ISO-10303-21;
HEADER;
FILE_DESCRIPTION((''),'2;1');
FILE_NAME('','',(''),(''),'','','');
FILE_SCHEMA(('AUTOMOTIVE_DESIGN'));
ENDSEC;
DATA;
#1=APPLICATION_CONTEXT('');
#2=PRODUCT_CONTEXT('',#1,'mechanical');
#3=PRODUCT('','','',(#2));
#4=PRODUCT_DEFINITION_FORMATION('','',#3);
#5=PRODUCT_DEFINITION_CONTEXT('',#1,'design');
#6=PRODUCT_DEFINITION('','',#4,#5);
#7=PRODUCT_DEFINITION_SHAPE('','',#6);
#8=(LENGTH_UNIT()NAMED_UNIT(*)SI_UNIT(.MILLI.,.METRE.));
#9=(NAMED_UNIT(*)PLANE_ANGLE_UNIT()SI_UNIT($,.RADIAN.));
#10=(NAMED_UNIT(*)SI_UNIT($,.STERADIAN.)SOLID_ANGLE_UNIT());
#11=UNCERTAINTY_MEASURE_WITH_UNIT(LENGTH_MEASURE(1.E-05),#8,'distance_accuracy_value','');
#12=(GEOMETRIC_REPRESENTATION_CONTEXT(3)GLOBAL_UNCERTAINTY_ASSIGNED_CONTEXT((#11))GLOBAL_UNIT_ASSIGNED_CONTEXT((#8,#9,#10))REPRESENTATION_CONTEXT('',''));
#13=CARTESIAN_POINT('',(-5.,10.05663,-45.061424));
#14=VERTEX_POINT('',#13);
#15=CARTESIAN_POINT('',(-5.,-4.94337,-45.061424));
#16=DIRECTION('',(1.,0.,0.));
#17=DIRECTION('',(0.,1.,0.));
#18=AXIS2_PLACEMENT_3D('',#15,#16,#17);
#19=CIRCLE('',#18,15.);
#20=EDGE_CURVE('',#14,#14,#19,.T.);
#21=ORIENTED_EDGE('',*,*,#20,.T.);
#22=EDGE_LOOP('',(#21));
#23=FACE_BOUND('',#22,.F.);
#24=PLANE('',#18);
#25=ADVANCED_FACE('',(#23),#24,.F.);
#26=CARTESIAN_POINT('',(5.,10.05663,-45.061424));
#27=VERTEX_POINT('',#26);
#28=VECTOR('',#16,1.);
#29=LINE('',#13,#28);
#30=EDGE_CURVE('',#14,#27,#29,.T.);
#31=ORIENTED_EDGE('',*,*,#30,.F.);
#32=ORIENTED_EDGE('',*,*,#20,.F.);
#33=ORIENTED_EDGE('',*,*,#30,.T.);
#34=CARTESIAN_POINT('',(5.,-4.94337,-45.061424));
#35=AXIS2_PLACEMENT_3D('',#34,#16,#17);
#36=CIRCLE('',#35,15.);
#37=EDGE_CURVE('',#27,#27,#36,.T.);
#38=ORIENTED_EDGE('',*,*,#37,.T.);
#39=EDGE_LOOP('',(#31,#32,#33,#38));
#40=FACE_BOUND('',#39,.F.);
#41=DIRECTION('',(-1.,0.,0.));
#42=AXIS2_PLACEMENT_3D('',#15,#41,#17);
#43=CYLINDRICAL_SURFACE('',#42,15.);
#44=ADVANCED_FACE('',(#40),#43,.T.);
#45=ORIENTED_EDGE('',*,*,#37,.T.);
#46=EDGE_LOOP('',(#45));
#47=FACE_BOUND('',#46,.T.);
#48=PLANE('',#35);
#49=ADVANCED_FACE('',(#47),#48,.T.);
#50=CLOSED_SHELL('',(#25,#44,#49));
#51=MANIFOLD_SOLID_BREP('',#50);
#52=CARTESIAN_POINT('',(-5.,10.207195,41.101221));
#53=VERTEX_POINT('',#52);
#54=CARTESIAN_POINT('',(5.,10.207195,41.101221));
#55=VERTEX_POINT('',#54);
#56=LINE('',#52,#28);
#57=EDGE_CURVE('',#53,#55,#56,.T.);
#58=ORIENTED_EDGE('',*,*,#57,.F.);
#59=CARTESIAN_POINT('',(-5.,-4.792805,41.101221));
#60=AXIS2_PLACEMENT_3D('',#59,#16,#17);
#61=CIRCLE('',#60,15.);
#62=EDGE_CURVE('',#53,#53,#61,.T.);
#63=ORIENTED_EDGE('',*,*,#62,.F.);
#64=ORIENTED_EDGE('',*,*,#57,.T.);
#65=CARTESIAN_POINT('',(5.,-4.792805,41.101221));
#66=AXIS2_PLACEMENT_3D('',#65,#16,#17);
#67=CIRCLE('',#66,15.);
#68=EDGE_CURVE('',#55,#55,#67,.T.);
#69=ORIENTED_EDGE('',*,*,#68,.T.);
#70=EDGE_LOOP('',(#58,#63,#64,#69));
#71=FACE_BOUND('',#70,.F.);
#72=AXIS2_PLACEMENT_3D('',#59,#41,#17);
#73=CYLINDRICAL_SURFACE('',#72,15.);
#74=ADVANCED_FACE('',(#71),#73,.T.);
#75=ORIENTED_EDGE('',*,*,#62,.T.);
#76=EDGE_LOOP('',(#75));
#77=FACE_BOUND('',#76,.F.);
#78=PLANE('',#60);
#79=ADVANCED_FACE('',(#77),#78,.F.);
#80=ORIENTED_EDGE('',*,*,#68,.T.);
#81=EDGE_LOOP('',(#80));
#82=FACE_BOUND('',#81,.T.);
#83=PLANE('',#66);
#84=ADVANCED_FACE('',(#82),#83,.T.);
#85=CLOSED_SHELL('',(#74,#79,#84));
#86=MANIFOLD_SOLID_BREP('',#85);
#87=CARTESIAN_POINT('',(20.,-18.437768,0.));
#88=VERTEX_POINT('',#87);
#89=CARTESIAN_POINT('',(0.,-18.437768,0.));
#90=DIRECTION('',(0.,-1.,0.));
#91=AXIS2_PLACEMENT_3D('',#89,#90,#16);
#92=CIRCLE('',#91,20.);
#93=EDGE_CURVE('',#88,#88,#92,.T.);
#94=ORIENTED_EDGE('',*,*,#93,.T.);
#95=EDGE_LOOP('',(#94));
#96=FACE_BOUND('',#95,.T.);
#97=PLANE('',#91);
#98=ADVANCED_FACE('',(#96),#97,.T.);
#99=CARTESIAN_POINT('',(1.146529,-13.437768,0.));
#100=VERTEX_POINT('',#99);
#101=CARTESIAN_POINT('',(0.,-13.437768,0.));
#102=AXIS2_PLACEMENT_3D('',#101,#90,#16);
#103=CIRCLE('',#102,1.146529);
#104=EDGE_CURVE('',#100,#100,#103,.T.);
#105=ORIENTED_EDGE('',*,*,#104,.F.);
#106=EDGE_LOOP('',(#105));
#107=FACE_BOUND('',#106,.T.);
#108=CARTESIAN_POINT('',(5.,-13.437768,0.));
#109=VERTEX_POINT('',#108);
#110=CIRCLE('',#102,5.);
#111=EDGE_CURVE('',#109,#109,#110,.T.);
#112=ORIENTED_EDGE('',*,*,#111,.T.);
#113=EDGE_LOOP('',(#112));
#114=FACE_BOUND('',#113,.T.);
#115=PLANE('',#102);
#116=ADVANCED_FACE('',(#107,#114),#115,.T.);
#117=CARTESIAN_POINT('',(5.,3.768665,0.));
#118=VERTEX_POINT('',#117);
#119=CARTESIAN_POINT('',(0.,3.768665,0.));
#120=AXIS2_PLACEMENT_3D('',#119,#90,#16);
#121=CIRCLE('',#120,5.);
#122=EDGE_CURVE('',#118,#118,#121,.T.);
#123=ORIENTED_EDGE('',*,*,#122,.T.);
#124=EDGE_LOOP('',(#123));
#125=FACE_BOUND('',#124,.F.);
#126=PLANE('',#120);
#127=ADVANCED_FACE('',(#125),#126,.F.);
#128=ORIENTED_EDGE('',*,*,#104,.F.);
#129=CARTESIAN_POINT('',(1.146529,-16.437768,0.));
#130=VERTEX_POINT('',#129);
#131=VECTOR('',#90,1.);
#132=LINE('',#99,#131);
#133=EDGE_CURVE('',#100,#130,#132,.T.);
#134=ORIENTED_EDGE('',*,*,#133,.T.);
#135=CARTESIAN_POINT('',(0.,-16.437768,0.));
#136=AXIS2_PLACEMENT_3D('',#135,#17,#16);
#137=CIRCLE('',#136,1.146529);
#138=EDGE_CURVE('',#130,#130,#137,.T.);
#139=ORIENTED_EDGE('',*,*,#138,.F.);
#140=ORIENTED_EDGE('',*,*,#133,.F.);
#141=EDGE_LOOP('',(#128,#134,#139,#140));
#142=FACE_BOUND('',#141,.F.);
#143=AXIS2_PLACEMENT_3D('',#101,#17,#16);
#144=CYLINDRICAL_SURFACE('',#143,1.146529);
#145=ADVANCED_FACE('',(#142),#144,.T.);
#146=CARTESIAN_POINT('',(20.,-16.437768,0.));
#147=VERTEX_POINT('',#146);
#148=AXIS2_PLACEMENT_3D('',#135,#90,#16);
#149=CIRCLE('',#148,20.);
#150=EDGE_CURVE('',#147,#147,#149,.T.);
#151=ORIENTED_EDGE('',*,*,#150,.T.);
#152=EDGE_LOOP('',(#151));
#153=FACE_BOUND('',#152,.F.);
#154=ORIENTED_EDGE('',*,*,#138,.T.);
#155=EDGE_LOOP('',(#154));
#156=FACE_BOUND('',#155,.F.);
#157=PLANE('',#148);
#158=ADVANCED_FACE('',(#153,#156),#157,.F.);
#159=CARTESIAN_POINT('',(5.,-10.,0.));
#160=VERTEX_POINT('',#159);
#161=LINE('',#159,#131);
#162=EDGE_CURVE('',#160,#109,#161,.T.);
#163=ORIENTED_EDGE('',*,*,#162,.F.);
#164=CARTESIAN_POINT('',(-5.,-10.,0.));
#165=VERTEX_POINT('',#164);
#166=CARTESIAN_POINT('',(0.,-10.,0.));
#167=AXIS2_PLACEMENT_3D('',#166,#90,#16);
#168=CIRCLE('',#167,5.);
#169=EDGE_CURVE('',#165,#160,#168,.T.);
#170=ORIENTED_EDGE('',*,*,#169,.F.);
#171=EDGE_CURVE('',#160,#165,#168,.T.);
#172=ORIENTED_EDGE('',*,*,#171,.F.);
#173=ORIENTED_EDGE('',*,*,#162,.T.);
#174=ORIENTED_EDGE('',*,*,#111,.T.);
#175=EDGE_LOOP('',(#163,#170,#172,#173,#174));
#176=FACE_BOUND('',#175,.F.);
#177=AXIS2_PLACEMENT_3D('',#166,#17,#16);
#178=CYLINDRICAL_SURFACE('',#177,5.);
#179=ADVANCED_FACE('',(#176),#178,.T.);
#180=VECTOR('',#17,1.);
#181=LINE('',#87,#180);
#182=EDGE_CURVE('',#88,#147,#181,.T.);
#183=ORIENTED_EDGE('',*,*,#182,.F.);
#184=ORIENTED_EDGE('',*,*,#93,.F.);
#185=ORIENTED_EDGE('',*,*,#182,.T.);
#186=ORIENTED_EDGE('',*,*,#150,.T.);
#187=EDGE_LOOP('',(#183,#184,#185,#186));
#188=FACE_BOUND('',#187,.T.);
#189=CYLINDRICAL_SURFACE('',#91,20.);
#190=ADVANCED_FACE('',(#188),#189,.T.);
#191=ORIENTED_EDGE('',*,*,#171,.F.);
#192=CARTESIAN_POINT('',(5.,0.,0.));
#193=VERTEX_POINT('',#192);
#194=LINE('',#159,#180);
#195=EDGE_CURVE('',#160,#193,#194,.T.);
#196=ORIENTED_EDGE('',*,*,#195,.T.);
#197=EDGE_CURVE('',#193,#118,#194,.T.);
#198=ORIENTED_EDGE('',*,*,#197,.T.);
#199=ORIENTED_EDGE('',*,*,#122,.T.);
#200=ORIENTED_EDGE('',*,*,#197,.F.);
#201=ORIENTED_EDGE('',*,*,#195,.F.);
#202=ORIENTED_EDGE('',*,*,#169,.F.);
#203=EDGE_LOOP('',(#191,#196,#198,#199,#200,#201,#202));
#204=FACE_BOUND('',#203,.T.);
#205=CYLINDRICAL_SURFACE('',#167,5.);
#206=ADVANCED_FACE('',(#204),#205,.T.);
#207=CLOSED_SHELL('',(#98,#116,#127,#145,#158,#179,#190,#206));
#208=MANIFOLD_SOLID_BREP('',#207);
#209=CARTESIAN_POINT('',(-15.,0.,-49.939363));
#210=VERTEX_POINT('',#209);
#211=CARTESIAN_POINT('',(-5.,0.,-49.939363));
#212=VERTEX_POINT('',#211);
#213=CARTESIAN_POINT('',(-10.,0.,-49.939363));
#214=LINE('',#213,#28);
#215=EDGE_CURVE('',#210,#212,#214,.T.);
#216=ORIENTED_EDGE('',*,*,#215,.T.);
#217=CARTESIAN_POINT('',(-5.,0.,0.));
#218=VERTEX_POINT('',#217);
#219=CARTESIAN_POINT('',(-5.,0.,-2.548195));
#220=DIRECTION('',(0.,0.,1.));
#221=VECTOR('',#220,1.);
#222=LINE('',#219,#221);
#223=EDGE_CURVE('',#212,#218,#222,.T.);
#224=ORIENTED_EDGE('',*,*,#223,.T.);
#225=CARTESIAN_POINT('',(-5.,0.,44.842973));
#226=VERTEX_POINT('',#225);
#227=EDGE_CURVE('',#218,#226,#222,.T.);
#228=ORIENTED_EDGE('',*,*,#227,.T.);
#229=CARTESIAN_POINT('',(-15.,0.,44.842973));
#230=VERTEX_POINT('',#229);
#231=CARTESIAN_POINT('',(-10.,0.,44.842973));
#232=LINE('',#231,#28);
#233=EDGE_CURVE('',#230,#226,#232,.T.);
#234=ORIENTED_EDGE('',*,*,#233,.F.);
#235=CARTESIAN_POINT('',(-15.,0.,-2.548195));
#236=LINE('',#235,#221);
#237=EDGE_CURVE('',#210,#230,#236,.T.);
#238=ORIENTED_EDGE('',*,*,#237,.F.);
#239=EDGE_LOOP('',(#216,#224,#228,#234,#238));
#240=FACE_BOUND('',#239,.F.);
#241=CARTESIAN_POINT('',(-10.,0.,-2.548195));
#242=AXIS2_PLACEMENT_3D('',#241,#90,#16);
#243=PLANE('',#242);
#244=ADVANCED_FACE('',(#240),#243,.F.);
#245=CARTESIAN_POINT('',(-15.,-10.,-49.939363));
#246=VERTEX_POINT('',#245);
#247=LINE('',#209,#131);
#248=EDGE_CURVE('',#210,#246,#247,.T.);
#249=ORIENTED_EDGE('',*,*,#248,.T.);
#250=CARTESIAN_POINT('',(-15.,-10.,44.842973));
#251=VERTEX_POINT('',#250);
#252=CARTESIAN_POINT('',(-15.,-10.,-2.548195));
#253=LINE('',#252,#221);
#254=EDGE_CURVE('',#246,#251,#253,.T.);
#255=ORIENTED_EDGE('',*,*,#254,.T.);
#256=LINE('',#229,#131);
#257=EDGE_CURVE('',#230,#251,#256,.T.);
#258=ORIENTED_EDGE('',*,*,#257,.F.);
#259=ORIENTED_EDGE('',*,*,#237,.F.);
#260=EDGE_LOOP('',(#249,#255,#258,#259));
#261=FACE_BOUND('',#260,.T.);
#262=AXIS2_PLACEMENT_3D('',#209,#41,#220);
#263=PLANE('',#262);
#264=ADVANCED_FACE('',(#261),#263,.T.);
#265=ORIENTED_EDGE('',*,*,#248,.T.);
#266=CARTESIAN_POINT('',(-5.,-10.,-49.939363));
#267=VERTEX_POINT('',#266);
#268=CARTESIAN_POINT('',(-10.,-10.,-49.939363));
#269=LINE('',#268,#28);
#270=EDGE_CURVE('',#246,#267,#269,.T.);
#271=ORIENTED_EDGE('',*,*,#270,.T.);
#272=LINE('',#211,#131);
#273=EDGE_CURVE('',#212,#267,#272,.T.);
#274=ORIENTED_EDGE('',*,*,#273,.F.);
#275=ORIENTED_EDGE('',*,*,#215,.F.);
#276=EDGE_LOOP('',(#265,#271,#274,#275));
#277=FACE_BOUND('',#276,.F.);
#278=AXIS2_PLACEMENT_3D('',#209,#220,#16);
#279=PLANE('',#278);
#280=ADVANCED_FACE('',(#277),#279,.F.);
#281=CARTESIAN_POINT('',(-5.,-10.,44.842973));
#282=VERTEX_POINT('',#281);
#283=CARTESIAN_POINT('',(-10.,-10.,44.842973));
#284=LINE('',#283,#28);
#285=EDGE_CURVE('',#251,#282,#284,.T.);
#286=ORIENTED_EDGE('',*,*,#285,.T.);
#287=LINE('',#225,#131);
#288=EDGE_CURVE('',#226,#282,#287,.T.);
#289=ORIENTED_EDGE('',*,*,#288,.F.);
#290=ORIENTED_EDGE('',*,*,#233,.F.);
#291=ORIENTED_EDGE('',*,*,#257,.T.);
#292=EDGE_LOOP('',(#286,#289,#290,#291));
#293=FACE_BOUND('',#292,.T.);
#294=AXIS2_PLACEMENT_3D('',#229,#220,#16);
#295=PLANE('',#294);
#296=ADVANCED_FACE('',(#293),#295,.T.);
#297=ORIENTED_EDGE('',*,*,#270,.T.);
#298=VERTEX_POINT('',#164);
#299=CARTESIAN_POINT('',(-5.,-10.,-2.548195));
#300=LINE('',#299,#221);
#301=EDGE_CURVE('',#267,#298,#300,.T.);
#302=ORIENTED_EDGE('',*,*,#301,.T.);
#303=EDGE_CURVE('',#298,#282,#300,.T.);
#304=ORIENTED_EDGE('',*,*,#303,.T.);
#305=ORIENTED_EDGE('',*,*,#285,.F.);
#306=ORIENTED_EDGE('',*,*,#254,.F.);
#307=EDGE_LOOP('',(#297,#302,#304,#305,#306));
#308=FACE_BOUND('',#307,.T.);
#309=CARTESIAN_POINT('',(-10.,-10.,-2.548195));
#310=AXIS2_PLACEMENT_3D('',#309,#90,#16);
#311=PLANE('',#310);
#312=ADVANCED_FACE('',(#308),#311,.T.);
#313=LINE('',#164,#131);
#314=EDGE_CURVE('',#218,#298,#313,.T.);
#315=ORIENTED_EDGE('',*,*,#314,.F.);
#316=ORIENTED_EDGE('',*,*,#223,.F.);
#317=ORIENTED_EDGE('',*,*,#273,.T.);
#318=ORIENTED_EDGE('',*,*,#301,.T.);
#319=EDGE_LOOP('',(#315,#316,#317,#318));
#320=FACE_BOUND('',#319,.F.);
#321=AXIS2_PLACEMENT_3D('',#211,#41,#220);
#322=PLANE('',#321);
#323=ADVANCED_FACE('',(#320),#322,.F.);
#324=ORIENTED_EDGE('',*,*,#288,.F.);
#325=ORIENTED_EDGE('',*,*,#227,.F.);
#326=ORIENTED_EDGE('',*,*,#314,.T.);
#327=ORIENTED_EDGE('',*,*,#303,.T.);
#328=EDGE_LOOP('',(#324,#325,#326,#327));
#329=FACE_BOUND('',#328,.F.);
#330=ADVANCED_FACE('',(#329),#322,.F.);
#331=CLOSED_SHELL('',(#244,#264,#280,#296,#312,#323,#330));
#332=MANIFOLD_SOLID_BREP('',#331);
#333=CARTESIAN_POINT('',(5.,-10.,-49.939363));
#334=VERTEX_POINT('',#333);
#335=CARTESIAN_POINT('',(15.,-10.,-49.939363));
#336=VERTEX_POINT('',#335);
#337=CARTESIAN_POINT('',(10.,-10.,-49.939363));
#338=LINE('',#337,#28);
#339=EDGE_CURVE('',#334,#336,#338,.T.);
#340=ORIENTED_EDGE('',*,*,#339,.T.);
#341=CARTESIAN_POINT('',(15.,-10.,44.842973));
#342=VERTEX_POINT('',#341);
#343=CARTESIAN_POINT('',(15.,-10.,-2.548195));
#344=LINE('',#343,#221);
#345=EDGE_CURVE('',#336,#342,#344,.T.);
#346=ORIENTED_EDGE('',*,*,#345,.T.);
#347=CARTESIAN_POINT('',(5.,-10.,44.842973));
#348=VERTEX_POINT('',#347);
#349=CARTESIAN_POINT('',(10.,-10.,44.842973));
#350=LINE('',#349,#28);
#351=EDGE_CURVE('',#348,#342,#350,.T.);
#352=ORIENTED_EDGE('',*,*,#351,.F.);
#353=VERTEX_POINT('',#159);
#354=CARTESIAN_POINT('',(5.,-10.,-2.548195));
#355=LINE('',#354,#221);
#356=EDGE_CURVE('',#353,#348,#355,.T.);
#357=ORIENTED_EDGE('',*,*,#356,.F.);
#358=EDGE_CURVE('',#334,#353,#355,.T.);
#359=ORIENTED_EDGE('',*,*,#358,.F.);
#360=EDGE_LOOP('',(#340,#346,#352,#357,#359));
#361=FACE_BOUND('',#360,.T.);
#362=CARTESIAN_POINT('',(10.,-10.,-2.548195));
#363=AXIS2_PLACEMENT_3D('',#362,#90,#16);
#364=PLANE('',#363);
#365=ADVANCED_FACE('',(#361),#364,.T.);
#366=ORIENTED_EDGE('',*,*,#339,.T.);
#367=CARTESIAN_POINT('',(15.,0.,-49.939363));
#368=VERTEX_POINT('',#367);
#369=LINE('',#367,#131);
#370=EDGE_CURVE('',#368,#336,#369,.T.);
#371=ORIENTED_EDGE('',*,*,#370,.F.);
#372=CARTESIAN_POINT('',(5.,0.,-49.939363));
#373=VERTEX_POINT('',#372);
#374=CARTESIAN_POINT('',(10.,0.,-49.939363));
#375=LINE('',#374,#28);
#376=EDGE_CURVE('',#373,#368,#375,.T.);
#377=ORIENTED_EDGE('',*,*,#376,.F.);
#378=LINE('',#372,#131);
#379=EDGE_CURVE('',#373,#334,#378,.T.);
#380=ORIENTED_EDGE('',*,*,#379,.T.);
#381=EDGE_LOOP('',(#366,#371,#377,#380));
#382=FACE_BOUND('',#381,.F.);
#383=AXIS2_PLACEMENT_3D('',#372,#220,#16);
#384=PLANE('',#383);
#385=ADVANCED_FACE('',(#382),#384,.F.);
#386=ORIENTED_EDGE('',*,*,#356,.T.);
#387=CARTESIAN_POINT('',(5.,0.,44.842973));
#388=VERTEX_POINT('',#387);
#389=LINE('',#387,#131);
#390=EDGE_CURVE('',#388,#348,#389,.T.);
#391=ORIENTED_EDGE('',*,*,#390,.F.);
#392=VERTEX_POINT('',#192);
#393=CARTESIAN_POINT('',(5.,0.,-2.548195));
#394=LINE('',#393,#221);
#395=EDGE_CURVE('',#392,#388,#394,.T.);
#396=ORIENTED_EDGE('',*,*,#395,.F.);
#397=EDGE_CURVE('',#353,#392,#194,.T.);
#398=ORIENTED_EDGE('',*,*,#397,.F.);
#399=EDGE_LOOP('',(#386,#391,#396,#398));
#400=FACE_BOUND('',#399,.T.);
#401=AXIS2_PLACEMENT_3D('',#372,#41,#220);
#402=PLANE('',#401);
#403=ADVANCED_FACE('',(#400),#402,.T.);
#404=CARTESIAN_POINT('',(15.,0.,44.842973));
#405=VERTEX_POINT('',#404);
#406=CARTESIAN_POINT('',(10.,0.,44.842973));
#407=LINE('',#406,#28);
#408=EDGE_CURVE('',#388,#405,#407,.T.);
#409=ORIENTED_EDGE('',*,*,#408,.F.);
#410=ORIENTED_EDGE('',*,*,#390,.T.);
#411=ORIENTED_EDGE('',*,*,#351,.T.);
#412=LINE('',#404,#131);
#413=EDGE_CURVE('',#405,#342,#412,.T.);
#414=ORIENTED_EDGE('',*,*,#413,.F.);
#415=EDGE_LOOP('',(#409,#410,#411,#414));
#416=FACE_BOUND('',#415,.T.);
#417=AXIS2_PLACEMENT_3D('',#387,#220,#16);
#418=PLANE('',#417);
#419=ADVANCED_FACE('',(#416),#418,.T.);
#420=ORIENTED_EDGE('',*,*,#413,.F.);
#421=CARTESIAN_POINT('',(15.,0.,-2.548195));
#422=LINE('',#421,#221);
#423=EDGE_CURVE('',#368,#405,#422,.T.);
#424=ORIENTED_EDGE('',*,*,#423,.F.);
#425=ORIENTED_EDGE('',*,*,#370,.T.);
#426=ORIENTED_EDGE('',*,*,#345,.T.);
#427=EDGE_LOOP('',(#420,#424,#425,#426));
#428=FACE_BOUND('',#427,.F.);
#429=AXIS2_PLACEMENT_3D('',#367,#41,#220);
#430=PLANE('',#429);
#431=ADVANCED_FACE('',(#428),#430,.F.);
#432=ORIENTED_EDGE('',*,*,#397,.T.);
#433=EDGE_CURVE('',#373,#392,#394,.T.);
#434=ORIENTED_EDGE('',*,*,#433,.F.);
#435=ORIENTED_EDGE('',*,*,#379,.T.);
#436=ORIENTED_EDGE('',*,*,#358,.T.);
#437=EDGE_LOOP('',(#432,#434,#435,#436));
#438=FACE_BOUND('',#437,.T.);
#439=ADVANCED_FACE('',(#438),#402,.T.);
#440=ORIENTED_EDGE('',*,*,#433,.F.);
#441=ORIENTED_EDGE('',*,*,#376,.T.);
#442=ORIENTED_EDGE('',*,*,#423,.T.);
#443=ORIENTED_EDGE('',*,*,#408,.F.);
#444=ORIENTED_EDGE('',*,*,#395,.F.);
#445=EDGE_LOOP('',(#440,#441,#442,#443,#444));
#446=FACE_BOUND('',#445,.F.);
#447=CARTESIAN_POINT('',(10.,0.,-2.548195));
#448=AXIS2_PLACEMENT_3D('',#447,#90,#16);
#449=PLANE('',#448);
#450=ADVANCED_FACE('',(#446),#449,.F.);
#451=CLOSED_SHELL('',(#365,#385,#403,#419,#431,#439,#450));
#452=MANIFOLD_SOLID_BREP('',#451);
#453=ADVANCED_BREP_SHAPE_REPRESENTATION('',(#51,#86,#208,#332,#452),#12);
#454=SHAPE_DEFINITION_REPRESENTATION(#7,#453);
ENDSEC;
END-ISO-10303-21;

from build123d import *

# Parameters (mm, degrees)
F0_W      = 10
F0_H      = 94.782337
F1_DEPTH  = 10
F2_R      = 15
F3_DEPTH  = 10
F4_R      = 5
F5_DEPTH  = 13.768665
F5_FACE_R = 5
F6_DEPTH  = 3.437768
F7_R      = 1.146529
F8_DEPTH  = 5
F9_R      = 20
F10_DEPTH = 2


with BuildPart() as f1:
    # F0 (on Front) → F1 (new body)
    with BuildSketch(Plane.XZ):
        with Locations((10, -2.548195)):
            Rectangle(F0_W, F0_H)
        with Locations((-10, -2.548195)):
            Rectangle(F0_W, F0_H)
    extrude(amount=F1_DEPTH)



with BuildPart() as f3:
    # F2 (on face) → F3 (new body)
    with BuildSketch(Plane.YZ.offset(-5)):
        with Locations((-4.94337, -45.061424)):
            Circle(F2_R)
        with Locations((-4.792805, 41.101221)):
            Circle(F2_R)
    extrude(amount=F3_DEPTH)


with BuildPart() as f5:
    # F4 (on face) → F5 (new body)
    with BuildSketch(Plane.XZ.offset(10)):
        Circle(F4_R)
    extrude(amount=-F5_DEPTH)


with BuildPart() as f1_1:
    add(f1.part)

    add(f5.part)  # F6 merges F5
    # F5_face (on face) → F6 (join)
    with BuildSketch(Plane.XZ.offset(10)):
        Circle(F5_FACE_R)
    extrude(amount=F6_DEPTH)

    # F7 (on face) → F8 (join)
    with BuildSketch(Plane.XZ.offset(13.437768)):
        Circle(F7_R)
    extrude(amount=F8_DEPTH)

    # F9 (on face) → F10 (join)
    with BuildSketch(Plane.XZ.offset(18.437768)):
        Circle(F9_R)
    extrude(amount=-F10_DEPTH)


solid = Compound([f3.part, f1_1.part])
